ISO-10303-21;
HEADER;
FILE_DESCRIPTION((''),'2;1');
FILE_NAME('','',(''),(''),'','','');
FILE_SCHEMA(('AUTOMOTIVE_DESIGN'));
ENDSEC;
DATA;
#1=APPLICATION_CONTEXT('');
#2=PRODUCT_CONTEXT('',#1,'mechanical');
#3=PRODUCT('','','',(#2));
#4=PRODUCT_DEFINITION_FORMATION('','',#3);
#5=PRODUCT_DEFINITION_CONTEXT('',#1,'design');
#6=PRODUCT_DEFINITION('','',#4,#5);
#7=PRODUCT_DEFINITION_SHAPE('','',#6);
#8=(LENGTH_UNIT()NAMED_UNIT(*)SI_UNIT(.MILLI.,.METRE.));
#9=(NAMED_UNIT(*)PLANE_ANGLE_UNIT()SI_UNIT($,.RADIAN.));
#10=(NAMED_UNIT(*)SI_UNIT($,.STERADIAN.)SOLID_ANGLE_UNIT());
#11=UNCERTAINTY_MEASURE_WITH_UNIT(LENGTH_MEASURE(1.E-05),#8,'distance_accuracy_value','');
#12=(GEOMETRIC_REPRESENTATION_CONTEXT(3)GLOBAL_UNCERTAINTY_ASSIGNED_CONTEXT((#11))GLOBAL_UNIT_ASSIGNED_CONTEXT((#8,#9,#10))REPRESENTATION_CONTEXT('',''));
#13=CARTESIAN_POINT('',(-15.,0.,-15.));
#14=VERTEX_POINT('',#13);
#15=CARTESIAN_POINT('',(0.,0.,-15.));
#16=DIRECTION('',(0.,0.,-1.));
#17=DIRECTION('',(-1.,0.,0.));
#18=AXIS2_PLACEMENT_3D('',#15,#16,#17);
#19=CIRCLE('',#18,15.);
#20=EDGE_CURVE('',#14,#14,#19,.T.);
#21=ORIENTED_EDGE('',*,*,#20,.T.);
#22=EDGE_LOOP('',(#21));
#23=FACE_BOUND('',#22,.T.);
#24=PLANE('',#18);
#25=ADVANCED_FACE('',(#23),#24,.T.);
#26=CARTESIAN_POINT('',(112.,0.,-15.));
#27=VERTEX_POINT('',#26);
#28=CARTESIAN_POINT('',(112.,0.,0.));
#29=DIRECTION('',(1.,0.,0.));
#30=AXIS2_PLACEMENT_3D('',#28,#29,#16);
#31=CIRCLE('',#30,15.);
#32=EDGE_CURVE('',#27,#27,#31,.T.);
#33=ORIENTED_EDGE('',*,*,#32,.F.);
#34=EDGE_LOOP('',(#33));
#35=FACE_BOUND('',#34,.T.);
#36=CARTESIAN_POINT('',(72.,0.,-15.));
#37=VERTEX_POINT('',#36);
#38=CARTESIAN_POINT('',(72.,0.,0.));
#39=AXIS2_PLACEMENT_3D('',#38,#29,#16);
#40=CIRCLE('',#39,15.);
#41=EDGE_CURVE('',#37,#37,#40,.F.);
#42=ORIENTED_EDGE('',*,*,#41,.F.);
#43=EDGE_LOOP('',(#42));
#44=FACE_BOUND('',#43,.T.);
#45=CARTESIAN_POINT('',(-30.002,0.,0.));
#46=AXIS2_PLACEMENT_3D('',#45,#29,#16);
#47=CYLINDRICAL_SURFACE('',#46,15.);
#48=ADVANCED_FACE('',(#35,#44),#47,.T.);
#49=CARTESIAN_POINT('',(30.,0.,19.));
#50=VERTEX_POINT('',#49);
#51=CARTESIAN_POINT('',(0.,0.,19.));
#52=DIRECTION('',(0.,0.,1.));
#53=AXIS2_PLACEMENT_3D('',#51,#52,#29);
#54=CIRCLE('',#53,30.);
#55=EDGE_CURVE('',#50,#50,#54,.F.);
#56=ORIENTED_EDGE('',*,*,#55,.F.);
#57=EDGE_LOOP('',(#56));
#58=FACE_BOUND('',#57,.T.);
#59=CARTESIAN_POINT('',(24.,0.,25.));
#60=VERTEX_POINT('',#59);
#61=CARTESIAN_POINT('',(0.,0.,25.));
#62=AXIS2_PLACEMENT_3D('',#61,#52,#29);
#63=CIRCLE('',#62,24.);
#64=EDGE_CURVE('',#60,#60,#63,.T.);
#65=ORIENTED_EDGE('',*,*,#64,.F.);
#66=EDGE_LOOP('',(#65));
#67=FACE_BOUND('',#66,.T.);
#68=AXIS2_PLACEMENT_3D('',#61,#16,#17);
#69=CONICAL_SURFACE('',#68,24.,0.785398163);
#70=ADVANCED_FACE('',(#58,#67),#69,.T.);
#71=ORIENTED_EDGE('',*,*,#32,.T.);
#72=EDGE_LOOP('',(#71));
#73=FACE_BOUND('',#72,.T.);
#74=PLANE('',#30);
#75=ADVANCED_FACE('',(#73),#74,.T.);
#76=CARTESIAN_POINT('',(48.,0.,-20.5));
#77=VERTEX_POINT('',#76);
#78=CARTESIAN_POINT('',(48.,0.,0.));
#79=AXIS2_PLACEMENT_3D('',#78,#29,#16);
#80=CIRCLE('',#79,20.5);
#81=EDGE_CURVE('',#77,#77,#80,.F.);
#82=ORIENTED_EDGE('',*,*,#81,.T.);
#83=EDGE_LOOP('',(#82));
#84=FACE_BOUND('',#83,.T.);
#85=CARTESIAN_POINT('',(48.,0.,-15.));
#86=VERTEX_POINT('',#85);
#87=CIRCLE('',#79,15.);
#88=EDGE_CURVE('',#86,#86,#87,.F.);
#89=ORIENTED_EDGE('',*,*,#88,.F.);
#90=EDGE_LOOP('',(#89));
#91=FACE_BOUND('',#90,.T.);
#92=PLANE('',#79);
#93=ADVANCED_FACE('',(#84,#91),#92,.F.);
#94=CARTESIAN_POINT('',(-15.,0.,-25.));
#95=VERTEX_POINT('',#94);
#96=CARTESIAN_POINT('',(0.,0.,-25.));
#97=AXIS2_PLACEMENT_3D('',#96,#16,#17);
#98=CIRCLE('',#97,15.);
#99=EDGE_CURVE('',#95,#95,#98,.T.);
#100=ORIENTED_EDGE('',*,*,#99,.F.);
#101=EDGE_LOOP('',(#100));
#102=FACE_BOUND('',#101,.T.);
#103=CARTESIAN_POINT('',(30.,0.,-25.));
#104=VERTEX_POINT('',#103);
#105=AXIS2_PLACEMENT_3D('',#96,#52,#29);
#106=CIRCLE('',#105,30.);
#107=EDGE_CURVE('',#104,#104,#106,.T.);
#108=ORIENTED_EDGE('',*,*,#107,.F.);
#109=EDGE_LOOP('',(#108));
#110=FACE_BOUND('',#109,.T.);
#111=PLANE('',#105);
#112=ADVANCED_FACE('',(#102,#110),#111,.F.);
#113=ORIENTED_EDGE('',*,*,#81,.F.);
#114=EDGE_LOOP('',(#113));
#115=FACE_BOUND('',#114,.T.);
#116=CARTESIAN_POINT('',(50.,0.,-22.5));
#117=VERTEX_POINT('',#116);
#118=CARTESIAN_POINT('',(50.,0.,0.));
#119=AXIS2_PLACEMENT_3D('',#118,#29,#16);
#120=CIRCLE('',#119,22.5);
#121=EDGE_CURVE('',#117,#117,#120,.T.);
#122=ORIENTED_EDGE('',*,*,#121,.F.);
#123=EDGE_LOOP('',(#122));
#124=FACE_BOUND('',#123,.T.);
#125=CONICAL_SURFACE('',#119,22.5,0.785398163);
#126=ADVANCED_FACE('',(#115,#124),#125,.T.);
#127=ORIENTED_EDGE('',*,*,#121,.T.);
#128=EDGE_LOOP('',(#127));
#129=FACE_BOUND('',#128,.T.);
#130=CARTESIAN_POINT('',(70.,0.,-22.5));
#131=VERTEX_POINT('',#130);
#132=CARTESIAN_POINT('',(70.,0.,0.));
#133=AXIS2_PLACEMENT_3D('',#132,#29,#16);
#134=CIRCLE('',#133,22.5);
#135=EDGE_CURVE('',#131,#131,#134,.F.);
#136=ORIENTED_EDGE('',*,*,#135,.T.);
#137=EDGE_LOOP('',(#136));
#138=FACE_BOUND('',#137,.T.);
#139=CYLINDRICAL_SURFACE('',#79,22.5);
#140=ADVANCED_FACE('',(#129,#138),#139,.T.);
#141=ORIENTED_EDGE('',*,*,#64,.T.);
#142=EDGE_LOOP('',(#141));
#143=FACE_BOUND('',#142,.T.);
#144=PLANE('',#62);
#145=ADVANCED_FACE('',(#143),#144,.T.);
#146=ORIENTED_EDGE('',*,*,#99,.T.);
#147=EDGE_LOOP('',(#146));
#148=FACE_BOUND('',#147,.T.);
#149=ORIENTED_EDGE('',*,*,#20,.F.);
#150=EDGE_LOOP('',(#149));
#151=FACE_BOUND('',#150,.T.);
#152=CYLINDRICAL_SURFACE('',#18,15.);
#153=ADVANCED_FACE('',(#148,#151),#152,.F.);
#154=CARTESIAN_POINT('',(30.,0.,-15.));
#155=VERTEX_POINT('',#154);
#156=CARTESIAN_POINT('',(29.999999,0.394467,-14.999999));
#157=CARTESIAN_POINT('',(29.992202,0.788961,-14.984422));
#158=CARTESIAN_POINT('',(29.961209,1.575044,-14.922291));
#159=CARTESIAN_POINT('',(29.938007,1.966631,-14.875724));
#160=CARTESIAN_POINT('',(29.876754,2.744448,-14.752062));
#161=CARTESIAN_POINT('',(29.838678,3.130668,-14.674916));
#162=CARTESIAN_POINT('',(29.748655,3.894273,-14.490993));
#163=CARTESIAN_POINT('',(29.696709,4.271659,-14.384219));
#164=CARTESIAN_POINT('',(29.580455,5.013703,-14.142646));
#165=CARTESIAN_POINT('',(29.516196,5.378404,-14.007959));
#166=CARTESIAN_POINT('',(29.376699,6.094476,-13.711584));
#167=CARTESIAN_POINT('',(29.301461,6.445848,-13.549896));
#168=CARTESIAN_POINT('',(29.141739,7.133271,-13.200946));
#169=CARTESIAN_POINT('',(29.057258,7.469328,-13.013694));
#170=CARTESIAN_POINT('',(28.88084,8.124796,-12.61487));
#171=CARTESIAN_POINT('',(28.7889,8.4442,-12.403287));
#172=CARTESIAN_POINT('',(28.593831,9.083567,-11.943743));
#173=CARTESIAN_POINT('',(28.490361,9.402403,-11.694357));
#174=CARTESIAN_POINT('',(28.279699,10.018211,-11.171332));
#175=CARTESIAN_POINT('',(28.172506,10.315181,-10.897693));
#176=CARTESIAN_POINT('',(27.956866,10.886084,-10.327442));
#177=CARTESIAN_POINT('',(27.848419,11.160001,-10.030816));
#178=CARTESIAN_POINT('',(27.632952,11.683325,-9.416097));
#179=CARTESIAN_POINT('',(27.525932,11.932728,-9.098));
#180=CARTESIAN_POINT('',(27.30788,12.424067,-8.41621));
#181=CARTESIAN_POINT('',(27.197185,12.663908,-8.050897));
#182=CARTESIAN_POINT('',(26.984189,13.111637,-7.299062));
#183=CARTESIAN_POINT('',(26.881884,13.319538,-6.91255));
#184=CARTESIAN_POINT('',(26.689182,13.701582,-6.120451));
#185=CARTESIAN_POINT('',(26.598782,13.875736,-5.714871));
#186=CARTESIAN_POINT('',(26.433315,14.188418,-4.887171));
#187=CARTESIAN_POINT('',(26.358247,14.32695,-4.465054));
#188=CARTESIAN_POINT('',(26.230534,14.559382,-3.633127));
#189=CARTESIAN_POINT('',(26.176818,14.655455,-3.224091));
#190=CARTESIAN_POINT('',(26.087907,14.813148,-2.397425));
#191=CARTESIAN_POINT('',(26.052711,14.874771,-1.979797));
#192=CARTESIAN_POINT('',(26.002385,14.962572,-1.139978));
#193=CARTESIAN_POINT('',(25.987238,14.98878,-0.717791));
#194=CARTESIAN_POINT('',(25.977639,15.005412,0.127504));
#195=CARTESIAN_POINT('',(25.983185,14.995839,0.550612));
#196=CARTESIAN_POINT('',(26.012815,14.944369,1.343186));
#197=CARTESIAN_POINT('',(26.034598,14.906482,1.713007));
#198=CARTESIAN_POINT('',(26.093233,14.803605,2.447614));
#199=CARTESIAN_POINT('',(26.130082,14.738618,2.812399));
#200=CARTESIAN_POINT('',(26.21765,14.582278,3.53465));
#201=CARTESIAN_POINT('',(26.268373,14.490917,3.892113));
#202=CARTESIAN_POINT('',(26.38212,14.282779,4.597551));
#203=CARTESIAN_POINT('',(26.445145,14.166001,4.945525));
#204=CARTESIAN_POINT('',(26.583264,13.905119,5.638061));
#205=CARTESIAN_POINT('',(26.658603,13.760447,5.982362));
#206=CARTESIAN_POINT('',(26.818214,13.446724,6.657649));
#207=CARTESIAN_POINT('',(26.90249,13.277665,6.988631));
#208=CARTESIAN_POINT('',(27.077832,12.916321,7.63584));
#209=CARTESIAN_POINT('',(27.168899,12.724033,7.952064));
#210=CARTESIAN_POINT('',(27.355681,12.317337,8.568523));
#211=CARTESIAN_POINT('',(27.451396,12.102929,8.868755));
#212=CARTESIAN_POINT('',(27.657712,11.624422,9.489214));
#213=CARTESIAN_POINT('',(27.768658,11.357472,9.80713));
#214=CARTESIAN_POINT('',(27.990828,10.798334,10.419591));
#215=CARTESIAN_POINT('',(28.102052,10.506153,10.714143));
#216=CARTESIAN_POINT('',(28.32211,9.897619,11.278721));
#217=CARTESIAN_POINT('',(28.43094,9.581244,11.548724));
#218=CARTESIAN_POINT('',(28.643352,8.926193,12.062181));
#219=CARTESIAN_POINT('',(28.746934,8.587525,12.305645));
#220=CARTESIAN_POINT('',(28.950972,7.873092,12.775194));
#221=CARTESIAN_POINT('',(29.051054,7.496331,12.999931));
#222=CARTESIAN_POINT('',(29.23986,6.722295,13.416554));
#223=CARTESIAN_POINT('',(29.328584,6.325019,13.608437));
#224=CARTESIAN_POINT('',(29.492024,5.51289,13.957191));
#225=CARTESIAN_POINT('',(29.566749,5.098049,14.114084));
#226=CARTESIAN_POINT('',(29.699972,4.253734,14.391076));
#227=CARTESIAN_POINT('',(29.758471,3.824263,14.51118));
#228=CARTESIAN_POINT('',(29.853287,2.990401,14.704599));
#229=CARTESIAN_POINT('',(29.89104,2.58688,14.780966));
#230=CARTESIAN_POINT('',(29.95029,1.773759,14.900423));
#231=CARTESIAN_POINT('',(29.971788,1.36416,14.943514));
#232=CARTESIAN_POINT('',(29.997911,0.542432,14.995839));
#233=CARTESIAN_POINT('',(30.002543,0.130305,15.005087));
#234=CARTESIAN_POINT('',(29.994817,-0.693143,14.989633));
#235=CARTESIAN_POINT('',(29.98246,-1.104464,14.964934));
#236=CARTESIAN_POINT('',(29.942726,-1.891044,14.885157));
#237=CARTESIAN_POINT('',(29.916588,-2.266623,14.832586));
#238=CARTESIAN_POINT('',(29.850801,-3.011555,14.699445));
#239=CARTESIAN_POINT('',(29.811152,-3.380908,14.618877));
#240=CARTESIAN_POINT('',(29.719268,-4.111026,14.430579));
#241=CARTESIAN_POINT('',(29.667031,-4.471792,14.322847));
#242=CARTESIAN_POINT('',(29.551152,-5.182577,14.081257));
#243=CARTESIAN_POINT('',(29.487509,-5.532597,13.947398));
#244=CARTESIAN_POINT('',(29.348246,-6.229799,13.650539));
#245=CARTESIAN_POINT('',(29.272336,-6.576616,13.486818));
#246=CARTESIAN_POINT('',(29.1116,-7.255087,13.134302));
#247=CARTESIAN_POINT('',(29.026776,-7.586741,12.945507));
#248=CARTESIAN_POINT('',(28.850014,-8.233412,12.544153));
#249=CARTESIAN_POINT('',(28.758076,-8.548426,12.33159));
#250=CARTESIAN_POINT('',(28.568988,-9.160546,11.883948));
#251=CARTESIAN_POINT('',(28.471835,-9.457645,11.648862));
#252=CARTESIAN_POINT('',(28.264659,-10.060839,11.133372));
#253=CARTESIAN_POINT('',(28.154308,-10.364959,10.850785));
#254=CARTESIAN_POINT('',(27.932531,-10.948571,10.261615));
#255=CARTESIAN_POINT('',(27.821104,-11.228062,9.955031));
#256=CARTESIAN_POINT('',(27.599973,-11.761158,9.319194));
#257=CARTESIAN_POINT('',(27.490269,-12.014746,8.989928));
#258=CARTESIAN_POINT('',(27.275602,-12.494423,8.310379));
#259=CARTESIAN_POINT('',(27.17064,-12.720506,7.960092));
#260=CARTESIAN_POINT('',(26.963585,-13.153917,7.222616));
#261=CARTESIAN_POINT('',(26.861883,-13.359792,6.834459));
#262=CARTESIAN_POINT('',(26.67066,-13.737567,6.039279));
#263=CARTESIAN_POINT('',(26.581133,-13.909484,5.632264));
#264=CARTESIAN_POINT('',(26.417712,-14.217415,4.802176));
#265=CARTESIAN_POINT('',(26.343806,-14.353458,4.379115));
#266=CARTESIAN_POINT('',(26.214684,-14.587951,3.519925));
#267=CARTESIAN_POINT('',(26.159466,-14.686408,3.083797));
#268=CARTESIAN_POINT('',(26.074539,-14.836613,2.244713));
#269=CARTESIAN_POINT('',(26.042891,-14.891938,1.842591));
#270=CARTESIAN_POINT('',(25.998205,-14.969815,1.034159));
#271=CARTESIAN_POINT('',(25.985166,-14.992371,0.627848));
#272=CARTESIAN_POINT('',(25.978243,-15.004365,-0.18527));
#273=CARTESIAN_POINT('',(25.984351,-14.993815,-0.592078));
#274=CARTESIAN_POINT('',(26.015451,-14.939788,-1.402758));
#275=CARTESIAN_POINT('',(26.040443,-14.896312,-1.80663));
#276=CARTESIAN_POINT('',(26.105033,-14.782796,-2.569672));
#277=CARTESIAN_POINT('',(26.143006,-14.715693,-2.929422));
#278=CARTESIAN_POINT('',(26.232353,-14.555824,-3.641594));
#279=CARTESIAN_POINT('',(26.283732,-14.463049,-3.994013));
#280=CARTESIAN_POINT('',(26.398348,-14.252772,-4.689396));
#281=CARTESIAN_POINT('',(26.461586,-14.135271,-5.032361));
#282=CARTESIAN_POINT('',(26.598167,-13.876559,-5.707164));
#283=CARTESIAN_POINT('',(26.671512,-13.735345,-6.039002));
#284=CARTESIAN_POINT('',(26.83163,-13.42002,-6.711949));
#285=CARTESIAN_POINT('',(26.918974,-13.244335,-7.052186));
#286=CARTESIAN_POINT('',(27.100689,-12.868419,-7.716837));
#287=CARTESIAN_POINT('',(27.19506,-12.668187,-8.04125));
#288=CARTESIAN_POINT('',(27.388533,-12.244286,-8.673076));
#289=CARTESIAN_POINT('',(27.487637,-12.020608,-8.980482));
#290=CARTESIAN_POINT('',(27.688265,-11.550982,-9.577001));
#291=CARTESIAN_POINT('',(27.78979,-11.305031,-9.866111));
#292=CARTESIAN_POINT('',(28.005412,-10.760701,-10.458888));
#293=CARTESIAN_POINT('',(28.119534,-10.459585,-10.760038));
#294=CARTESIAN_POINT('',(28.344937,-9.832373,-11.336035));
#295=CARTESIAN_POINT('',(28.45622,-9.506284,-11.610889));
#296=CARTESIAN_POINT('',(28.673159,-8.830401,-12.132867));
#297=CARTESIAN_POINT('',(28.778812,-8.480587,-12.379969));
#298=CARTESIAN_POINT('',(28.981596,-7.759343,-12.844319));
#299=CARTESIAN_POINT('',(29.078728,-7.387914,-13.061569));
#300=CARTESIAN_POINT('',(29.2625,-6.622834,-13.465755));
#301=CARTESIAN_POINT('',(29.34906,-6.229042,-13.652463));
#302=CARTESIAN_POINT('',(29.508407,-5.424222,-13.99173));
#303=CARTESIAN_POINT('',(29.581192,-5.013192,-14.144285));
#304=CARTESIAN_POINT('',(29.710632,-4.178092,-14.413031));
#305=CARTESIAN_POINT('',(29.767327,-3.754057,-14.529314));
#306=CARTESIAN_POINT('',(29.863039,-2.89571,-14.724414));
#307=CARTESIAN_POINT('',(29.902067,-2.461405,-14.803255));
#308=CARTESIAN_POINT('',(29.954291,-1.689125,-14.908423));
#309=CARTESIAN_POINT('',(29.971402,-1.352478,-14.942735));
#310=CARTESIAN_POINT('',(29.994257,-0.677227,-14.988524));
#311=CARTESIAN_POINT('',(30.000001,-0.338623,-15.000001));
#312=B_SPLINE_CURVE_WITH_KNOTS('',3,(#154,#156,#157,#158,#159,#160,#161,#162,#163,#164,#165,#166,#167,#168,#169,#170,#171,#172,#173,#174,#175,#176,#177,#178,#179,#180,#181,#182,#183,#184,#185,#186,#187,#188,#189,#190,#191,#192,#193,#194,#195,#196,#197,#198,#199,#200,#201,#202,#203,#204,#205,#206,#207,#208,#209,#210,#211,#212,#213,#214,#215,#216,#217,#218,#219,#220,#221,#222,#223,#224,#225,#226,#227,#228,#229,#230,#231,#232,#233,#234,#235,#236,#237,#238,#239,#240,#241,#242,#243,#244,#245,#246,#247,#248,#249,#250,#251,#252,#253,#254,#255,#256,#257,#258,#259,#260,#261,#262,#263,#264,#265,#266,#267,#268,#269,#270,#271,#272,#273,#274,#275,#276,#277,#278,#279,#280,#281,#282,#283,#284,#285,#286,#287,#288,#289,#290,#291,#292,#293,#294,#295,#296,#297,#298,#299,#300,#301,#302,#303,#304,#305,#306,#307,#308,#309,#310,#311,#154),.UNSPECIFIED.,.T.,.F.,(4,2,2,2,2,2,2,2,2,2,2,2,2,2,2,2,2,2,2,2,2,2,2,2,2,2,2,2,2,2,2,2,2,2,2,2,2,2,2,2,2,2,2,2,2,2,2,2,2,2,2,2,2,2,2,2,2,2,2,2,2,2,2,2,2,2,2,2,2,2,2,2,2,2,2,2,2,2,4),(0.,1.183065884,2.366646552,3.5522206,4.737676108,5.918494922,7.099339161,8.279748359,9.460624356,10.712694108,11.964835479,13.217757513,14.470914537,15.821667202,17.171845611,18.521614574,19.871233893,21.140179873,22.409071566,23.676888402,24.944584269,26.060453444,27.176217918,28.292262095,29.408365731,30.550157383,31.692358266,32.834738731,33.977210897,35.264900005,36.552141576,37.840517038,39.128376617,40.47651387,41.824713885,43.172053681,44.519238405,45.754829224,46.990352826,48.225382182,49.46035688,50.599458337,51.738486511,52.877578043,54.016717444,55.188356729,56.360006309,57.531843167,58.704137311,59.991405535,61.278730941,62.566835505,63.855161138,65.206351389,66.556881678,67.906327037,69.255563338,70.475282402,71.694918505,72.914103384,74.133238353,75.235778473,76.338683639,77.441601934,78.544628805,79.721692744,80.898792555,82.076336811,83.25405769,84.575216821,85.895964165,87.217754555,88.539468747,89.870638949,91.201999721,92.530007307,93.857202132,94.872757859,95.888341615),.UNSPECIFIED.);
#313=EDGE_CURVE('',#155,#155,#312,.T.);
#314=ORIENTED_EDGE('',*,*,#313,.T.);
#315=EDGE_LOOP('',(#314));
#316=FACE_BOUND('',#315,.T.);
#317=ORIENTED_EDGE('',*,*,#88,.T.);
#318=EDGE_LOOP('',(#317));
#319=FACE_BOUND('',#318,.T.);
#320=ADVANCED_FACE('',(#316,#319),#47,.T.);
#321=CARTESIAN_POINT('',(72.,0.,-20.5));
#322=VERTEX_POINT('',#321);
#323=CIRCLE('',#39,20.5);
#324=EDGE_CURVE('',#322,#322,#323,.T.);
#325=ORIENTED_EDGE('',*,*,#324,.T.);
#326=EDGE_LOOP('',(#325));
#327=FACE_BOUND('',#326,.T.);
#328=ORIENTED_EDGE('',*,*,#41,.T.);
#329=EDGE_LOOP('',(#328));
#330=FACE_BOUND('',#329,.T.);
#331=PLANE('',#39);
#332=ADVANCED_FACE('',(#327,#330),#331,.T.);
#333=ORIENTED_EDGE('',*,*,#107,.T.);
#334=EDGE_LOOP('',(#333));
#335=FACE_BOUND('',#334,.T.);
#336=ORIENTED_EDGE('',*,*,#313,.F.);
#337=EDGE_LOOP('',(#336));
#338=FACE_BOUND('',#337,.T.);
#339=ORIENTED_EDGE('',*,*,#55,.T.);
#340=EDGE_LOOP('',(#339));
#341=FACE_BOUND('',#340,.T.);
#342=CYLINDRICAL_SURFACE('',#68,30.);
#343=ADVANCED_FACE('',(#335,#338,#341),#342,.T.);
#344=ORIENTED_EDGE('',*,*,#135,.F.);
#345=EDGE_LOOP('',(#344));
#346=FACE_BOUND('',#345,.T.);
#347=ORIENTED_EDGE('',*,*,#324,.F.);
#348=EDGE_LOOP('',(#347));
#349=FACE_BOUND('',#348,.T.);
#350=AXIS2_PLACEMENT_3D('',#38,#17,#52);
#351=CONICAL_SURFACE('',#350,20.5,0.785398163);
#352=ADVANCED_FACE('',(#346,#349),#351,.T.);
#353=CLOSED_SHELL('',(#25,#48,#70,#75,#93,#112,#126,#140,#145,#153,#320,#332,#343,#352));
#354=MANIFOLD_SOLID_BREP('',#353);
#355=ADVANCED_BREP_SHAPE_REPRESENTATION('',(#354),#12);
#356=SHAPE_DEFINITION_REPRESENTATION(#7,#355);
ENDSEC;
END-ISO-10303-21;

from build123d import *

# Parameters (mm, degrees)
SKETCH1_R                = 30
BOSS_EXTRUDE1_DEPTH      = 25
CHAMFER1_SIZE            = 6
BOSS_EXTRUDE2_REACH      = 149.272
BOSS_EXTRUDE2_END_RADIUS = 30
SKETCH2_R                = 15
SKETCH3_R                = 22.5
BOSS_EXTRUDE3_DEPTH      = 24
CHAMFER2_SIZE            = 2
SKETCH4_R                = 15
CUT_EXTRUDE1_DEPTH       = 10


with BuildPart() as part:
    # Sketch1 → Boss-Extrude1 (new, symmetric)
    with BuildSketch(Plane.XY):
        Circle(SKETCH1_R)
    extrude(amount=BOSS_EXTRUDE1_DEPTH, both=True)

    # Chamfer1
    chamfer1_edges = [part.edges().sort_by_distance(p)[0] for p in [
        (-30, 0, 25),
    ]]
    chamfer(chamfer1_edges, length=CHAMFER1_SIZE)

    # Boss-Extrude2: up to this cylinder (the profile starts outside it)
    boss_extrude2_end = Plane(origin=(0, 0, 0), z_dir=(0, 0, -1)) * Cylinder(BOSS_EXTRUDE2_END_RADIUS, 359.544, mode=Mode.PRIVATE)
    # Sketch2 → Boss-Extrude2 (add, up to the surface)
    with BuildSketch(Plane(origin=(112, 0, 0), x_dir=(0, 0, -1), z_dir=(1, 0, 0)), mode=Mode.PRIVATE) as boss_extrude2_sk1:
        Circle(SKETCH2_R)
    boss_extrude2_tool1 = extrude(boss_extrude2_sk1.sketch, amount=-BOSS_EXTRUDE2_REACH, mode=Mode.PRIVATE) - boss_extrude2_end
    add(boss_extrude2_tool1.solids().sort_by_distance((112, 0, 0))[0])

    # Sketch3 → Boss-Extrude3 (add)
    with BuildSketch(Plane(origin=(72, 0, 0), x_dir=(0, 0, -1), z_dir=(1, 0, 0))):
        Circle(SKETCH3_R)
    extrude(amount=-BOSS_EXTRUDE3_DEPTH)

    # Chamfer2
    chamfer2_edges = [part.edges().sort_by_distance(p)[0] for p in [
        (48, 0, 22.5),
        (72, 0, 22.5),
    ]]
    chamfer(chamfer2_edges, length=CHAMFER2_SIZE)

    # Sketch4 → Cut-Extrude1 (cut)
    with BuildSketch(Plane(origin=(0, 0, -25), x_dir=(-1, 0, 0), z_dir=(0, 0, -1))):
        Circle(SKETCH4_R)
    extrude(amount=-CUT_EXTRUDE1_DEPTH, mode=Mode.SUBTRACT)


solid = part.part
